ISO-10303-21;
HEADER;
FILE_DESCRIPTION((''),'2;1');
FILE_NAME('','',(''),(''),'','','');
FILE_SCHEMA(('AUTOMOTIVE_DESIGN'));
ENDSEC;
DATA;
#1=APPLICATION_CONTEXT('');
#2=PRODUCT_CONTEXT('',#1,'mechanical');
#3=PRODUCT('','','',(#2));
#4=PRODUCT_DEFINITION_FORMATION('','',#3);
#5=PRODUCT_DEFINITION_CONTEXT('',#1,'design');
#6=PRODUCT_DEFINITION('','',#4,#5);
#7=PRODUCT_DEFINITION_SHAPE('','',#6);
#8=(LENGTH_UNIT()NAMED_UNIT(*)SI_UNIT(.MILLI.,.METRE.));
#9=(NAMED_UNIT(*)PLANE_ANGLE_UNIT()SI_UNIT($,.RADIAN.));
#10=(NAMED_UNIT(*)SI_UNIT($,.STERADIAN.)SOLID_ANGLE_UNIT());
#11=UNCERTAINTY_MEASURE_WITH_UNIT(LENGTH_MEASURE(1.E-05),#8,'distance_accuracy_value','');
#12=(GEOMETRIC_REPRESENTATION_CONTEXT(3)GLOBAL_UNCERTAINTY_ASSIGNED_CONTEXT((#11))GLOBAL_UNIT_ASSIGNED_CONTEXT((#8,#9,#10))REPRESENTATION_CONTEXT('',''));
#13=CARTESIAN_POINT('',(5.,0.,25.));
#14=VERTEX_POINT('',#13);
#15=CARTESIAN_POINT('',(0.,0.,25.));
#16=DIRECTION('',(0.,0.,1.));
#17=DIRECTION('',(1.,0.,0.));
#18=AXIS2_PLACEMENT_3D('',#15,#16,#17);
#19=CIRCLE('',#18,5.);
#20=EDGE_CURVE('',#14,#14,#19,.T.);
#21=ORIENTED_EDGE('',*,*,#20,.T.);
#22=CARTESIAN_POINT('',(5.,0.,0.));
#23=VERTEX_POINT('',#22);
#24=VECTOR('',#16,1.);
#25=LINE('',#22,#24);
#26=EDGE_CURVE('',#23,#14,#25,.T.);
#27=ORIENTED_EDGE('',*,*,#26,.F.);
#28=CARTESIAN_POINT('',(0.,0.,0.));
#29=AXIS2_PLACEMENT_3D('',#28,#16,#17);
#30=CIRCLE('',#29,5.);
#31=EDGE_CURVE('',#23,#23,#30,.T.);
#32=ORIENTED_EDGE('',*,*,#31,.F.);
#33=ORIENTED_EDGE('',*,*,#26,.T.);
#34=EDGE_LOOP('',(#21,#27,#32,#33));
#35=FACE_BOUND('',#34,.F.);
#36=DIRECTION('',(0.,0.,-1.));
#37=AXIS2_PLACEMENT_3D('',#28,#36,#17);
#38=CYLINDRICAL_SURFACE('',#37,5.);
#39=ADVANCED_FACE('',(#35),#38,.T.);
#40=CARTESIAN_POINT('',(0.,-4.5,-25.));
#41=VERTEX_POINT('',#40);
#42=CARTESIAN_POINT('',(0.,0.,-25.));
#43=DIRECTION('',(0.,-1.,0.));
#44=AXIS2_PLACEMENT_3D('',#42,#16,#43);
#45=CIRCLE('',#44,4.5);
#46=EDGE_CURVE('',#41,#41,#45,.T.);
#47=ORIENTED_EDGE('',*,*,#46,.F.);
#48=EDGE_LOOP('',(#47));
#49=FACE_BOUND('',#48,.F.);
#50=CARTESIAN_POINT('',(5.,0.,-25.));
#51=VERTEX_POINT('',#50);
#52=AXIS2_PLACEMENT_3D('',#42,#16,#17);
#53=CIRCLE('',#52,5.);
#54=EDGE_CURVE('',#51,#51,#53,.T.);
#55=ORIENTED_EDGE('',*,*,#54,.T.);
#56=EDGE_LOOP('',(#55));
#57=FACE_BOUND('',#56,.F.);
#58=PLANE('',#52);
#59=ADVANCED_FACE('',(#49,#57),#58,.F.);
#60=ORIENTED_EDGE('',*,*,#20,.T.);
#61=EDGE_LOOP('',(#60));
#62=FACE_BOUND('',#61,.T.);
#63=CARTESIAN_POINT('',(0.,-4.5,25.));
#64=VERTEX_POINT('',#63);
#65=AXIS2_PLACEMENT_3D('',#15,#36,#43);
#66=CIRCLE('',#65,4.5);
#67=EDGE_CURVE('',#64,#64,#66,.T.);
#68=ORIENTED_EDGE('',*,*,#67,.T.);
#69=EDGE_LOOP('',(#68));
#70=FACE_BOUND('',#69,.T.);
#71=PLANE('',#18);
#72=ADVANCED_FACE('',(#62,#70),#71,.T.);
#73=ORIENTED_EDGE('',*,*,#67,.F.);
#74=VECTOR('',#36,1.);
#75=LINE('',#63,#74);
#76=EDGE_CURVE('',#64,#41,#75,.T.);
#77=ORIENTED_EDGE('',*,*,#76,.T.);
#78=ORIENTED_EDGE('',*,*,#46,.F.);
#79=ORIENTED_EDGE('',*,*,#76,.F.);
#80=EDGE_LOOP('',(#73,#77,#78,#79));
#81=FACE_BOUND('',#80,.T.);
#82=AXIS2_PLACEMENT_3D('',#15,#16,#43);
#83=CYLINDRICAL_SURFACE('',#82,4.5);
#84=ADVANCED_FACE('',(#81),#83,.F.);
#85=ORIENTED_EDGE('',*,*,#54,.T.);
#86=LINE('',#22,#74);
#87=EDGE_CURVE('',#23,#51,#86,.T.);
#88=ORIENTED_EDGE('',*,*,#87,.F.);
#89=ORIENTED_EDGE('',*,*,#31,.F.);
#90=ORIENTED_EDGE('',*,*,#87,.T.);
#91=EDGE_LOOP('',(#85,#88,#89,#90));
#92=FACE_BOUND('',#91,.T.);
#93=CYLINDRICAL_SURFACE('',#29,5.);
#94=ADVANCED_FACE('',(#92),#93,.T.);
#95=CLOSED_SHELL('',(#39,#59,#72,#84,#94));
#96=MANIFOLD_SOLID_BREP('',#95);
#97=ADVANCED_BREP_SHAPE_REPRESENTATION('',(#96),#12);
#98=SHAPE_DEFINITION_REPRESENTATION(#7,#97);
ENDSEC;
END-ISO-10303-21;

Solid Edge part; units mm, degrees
sketch "Sketch1" plane through (0, 0, 0) normal (0, 0, 1) x (1, 0, 0)
  circle A0 centre (0, 0) radius 5
  dimension "D1" = 10
extrude "Protrusion1" add sketch "Sketch1" along normal mid plane 50
hole "Hole_1" at (0, 0, 25) direction (0, 0, -1) diameter 9 end up to next
properties material "Holz, Walnuss"
